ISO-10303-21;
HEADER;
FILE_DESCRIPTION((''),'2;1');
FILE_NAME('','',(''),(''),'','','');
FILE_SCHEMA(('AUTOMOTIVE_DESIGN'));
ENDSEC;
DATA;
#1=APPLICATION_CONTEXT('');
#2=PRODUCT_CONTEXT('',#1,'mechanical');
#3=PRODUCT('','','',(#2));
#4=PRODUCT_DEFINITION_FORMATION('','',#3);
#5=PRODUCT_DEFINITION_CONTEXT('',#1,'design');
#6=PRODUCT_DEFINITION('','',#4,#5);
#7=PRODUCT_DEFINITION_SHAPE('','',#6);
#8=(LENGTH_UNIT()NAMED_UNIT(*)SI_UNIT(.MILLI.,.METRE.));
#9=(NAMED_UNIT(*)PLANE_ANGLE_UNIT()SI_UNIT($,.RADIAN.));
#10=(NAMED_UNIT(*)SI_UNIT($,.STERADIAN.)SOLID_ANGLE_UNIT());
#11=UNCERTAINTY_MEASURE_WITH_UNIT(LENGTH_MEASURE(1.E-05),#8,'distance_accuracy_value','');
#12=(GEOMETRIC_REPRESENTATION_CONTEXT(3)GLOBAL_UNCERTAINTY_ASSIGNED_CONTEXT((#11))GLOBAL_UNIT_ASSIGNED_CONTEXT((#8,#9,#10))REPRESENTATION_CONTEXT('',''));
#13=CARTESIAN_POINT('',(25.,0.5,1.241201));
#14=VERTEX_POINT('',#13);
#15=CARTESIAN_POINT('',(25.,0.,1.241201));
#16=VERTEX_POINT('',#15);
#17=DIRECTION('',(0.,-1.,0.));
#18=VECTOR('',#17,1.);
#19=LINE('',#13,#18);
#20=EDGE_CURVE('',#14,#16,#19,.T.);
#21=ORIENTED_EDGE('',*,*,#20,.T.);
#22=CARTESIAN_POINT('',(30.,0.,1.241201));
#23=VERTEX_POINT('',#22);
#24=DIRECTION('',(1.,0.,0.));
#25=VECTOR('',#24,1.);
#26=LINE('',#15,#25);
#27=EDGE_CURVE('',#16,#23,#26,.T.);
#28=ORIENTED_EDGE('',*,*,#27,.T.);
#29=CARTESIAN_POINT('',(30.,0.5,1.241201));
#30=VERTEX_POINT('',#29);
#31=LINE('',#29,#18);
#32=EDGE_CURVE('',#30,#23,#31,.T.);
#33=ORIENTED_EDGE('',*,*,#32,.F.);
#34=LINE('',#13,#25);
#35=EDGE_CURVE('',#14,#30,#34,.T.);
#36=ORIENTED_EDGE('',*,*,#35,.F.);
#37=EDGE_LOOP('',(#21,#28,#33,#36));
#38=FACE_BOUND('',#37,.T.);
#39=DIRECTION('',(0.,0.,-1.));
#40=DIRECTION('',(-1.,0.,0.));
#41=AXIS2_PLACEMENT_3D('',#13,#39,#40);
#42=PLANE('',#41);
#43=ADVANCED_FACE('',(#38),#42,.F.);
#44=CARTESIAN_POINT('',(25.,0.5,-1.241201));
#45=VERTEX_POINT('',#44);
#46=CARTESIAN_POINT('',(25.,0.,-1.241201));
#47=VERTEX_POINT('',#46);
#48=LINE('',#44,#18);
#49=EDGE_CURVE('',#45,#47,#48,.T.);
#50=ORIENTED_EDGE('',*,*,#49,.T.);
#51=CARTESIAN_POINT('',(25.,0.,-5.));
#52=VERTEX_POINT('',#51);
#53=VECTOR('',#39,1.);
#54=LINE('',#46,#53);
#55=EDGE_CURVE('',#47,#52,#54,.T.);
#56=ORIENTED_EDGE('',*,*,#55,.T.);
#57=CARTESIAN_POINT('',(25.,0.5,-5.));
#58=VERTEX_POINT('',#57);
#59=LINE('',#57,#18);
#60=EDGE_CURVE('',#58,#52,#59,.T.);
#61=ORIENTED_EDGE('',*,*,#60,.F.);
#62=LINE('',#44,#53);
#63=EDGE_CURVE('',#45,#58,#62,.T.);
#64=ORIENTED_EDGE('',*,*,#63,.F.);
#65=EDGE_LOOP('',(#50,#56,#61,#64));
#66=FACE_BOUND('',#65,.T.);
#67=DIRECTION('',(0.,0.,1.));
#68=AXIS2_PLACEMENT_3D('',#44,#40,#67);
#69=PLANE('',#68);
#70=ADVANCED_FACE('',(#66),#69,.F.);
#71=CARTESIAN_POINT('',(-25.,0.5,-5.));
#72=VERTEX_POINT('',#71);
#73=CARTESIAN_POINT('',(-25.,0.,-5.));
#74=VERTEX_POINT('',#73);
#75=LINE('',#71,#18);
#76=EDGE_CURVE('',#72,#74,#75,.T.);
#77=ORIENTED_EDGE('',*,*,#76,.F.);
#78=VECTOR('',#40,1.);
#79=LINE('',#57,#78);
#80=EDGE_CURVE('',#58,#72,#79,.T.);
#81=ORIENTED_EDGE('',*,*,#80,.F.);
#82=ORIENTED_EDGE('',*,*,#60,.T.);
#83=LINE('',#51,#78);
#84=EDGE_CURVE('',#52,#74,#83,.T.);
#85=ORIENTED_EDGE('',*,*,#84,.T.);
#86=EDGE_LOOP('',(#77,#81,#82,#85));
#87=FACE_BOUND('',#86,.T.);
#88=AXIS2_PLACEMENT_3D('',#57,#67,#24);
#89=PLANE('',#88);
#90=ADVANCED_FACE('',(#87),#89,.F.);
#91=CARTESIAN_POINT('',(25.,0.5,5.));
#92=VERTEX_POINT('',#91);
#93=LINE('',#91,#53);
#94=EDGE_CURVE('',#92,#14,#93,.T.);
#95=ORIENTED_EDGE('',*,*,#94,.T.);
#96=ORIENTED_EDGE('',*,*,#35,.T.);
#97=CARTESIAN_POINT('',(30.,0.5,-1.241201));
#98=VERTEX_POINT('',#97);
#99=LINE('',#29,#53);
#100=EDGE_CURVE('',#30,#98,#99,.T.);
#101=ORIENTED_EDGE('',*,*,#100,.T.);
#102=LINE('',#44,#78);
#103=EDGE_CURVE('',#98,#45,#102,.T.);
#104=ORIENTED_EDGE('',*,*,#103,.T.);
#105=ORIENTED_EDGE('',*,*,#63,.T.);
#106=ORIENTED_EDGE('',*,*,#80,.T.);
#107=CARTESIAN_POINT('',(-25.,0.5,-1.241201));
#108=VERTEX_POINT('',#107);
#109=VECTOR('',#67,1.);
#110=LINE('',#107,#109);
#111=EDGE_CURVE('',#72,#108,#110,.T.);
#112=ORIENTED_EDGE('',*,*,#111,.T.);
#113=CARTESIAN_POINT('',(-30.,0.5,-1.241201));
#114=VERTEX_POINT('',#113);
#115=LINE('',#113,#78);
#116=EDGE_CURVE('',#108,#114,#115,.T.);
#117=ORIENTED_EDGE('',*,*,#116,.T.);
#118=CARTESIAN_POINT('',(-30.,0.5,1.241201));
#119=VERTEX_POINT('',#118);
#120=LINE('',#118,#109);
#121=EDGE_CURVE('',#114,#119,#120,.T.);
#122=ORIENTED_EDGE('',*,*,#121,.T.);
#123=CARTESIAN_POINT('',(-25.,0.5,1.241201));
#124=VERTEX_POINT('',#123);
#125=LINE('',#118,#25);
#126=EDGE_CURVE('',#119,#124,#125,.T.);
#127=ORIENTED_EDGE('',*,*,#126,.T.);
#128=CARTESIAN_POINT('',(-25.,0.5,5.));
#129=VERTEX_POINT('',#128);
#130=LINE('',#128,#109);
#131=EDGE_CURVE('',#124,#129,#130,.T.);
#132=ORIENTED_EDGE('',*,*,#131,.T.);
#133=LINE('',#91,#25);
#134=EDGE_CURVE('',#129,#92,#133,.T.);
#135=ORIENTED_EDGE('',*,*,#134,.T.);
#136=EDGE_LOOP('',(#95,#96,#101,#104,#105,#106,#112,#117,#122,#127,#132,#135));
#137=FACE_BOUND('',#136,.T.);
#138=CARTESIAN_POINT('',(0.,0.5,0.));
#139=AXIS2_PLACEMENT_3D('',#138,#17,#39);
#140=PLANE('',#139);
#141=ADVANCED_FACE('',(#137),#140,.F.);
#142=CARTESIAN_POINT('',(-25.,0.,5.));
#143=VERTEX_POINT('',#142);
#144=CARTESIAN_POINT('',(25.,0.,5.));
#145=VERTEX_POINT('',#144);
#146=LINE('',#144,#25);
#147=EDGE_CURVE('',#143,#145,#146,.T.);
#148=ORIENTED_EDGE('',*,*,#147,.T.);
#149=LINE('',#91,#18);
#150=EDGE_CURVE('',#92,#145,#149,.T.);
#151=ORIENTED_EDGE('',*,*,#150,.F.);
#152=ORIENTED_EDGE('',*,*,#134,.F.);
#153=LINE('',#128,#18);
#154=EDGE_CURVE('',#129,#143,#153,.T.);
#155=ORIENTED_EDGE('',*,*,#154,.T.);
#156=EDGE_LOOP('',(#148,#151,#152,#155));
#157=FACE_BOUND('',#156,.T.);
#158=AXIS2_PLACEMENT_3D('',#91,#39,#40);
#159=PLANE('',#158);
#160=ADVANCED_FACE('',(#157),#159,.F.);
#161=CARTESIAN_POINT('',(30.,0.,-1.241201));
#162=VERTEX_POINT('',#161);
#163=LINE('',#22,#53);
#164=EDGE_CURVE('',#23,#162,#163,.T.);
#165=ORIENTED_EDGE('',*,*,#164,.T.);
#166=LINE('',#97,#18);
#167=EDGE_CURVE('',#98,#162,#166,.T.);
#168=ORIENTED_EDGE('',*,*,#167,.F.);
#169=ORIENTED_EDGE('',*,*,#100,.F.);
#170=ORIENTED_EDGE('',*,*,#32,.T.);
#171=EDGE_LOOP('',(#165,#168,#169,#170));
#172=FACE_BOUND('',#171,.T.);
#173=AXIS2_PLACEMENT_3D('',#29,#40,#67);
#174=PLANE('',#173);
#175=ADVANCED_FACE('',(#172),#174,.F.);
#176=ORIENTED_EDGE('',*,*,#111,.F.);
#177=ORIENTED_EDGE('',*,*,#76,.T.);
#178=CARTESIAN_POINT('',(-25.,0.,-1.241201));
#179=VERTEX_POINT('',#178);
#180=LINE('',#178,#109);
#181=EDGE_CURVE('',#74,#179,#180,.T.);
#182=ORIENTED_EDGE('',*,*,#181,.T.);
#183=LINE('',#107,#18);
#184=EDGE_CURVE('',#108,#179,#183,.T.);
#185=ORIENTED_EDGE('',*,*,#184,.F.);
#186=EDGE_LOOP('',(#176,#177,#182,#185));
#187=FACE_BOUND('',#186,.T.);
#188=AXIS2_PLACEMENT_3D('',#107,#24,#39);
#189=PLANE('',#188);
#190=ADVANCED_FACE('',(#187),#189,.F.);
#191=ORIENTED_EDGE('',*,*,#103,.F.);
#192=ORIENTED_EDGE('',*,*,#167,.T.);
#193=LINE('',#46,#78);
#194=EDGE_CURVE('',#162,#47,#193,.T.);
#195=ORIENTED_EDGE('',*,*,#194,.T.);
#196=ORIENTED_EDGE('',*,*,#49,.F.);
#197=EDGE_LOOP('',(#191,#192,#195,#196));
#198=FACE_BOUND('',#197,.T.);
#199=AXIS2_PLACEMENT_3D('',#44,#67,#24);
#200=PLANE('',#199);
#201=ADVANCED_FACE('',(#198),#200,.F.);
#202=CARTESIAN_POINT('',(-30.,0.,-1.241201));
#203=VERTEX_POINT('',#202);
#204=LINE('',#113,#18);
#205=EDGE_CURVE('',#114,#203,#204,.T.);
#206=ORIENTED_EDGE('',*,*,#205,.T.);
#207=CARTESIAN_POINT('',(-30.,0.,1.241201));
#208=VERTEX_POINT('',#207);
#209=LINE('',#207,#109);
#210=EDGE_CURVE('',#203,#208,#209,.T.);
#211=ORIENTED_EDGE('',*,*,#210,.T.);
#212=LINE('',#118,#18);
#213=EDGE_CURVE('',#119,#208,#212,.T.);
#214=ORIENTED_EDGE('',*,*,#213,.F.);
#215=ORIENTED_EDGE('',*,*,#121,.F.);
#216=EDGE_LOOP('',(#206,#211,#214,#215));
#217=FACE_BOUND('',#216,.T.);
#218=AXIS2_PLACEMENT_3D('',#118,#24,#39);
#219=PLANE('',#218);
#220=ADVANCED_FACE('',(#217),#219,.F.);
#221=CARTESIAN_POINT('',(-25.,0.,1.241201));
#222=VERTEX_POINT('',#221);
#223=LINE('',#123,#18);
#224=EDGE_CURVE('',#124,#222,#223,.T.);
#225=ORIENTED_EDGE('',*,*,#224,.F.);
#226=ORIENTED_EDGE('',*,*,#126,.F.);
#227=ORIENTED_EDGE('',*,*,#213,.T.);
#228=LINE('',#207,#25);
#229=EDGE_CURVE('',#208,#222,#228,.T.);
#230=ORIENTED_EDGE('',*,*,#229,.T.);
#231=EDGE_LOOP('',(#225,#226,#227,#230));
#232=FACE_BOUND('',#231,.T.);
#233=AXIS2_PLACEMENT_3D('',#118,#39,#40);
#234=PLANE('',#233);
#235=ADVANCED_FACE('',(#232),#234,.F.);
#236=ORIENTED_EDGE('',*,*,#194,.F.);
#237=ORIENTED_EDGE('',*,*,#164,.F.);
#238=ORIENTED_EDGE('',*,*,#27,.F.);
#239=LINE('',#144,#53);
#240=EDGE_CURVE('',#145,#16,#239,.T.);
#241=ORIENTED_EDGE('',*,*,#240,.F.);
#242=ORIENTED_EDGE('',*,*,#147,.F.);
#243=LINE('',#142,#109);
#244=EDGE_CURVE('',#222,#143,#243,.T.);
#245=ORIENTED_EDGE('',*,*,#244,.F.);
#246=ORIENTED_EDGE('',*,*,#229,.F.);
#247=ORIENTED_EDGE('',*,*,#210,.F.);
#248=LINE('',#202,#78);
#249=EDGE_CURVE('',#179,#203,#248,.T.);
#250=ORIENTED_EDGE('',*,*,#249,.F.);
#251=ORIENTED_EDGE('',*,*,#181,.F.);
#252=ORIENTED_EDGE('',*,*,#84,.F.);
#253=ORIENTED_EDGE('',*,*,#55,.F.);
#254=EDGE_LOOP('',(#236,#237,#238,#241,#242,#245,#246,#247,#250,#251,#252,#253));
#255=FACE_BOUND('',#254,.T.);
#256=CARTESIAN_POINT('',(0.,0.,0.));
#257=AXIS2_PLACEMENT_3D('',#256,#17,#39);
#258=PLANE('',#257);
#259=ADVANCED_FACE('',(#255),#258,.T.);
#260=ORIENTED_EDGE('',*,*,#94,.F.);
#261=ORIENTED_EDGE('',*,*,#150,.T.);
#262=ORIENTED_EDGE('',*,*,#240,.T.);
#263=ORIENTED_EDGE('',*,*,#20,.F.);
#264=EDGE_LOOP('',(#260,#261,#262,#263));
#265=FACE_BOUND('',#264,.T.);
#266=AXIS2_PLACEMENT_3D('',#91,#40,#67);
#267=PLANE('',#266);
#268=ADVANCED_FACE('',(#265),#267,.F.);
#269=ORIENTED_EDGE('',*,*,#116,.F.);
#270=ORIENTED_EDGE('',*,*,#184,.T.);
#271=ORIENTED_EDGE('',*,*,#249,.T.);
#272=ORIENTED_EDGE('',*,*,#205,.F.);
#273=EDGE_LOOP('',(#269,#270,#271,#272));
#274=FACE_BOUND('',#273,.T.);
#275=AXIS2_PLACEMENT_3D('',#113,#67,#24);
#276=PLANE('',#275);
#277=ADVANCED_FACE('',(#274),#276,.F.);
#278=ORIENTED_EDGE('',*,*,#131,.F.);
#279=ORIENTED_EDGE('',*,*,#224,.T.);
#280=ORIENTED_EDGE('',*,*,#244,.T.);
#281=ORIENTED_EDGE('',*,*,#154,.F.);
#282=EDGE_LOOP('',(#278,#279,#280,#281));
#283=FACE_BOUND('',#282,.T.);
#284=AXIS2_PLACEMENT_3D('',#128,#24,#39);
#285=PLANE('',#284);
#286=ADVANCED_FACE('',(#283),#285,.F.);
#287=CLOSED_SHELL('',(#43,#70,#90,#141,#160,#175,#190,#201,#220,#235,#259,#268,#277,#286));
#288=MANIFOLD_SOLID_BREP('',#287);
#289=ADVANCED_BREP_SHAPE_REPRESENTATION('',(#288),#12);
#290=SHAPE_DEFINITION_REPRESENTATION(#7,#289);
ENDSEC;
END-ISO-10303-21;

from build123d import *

# Parameters (mm, degrees)
BOSS_EXTRUDE1_DEPTH = 0.5


with BuildPart() as part:
    # Sketch1 → Boss-Extrude1 (new body)
    with BuildSketch(Plane(origin=(0, 0, 0), x_dir=(1, 0, 0), z_dir=(0, 1, 0))):
        Polygon((-25, 1.241200893), (-25, 5), (25, 5), (25, 1.241200893), (30, 1.241200893), (30, -1.241200893), (25, -1.241200893), (25, -5), (-25, -5), (-25, -1.241200893), (-30, -1.241200893), (-30, 1.241200893), align=None)
    extrude(amount=BOSS_EXTRUDE1_DEPTH)


solid = part.part
